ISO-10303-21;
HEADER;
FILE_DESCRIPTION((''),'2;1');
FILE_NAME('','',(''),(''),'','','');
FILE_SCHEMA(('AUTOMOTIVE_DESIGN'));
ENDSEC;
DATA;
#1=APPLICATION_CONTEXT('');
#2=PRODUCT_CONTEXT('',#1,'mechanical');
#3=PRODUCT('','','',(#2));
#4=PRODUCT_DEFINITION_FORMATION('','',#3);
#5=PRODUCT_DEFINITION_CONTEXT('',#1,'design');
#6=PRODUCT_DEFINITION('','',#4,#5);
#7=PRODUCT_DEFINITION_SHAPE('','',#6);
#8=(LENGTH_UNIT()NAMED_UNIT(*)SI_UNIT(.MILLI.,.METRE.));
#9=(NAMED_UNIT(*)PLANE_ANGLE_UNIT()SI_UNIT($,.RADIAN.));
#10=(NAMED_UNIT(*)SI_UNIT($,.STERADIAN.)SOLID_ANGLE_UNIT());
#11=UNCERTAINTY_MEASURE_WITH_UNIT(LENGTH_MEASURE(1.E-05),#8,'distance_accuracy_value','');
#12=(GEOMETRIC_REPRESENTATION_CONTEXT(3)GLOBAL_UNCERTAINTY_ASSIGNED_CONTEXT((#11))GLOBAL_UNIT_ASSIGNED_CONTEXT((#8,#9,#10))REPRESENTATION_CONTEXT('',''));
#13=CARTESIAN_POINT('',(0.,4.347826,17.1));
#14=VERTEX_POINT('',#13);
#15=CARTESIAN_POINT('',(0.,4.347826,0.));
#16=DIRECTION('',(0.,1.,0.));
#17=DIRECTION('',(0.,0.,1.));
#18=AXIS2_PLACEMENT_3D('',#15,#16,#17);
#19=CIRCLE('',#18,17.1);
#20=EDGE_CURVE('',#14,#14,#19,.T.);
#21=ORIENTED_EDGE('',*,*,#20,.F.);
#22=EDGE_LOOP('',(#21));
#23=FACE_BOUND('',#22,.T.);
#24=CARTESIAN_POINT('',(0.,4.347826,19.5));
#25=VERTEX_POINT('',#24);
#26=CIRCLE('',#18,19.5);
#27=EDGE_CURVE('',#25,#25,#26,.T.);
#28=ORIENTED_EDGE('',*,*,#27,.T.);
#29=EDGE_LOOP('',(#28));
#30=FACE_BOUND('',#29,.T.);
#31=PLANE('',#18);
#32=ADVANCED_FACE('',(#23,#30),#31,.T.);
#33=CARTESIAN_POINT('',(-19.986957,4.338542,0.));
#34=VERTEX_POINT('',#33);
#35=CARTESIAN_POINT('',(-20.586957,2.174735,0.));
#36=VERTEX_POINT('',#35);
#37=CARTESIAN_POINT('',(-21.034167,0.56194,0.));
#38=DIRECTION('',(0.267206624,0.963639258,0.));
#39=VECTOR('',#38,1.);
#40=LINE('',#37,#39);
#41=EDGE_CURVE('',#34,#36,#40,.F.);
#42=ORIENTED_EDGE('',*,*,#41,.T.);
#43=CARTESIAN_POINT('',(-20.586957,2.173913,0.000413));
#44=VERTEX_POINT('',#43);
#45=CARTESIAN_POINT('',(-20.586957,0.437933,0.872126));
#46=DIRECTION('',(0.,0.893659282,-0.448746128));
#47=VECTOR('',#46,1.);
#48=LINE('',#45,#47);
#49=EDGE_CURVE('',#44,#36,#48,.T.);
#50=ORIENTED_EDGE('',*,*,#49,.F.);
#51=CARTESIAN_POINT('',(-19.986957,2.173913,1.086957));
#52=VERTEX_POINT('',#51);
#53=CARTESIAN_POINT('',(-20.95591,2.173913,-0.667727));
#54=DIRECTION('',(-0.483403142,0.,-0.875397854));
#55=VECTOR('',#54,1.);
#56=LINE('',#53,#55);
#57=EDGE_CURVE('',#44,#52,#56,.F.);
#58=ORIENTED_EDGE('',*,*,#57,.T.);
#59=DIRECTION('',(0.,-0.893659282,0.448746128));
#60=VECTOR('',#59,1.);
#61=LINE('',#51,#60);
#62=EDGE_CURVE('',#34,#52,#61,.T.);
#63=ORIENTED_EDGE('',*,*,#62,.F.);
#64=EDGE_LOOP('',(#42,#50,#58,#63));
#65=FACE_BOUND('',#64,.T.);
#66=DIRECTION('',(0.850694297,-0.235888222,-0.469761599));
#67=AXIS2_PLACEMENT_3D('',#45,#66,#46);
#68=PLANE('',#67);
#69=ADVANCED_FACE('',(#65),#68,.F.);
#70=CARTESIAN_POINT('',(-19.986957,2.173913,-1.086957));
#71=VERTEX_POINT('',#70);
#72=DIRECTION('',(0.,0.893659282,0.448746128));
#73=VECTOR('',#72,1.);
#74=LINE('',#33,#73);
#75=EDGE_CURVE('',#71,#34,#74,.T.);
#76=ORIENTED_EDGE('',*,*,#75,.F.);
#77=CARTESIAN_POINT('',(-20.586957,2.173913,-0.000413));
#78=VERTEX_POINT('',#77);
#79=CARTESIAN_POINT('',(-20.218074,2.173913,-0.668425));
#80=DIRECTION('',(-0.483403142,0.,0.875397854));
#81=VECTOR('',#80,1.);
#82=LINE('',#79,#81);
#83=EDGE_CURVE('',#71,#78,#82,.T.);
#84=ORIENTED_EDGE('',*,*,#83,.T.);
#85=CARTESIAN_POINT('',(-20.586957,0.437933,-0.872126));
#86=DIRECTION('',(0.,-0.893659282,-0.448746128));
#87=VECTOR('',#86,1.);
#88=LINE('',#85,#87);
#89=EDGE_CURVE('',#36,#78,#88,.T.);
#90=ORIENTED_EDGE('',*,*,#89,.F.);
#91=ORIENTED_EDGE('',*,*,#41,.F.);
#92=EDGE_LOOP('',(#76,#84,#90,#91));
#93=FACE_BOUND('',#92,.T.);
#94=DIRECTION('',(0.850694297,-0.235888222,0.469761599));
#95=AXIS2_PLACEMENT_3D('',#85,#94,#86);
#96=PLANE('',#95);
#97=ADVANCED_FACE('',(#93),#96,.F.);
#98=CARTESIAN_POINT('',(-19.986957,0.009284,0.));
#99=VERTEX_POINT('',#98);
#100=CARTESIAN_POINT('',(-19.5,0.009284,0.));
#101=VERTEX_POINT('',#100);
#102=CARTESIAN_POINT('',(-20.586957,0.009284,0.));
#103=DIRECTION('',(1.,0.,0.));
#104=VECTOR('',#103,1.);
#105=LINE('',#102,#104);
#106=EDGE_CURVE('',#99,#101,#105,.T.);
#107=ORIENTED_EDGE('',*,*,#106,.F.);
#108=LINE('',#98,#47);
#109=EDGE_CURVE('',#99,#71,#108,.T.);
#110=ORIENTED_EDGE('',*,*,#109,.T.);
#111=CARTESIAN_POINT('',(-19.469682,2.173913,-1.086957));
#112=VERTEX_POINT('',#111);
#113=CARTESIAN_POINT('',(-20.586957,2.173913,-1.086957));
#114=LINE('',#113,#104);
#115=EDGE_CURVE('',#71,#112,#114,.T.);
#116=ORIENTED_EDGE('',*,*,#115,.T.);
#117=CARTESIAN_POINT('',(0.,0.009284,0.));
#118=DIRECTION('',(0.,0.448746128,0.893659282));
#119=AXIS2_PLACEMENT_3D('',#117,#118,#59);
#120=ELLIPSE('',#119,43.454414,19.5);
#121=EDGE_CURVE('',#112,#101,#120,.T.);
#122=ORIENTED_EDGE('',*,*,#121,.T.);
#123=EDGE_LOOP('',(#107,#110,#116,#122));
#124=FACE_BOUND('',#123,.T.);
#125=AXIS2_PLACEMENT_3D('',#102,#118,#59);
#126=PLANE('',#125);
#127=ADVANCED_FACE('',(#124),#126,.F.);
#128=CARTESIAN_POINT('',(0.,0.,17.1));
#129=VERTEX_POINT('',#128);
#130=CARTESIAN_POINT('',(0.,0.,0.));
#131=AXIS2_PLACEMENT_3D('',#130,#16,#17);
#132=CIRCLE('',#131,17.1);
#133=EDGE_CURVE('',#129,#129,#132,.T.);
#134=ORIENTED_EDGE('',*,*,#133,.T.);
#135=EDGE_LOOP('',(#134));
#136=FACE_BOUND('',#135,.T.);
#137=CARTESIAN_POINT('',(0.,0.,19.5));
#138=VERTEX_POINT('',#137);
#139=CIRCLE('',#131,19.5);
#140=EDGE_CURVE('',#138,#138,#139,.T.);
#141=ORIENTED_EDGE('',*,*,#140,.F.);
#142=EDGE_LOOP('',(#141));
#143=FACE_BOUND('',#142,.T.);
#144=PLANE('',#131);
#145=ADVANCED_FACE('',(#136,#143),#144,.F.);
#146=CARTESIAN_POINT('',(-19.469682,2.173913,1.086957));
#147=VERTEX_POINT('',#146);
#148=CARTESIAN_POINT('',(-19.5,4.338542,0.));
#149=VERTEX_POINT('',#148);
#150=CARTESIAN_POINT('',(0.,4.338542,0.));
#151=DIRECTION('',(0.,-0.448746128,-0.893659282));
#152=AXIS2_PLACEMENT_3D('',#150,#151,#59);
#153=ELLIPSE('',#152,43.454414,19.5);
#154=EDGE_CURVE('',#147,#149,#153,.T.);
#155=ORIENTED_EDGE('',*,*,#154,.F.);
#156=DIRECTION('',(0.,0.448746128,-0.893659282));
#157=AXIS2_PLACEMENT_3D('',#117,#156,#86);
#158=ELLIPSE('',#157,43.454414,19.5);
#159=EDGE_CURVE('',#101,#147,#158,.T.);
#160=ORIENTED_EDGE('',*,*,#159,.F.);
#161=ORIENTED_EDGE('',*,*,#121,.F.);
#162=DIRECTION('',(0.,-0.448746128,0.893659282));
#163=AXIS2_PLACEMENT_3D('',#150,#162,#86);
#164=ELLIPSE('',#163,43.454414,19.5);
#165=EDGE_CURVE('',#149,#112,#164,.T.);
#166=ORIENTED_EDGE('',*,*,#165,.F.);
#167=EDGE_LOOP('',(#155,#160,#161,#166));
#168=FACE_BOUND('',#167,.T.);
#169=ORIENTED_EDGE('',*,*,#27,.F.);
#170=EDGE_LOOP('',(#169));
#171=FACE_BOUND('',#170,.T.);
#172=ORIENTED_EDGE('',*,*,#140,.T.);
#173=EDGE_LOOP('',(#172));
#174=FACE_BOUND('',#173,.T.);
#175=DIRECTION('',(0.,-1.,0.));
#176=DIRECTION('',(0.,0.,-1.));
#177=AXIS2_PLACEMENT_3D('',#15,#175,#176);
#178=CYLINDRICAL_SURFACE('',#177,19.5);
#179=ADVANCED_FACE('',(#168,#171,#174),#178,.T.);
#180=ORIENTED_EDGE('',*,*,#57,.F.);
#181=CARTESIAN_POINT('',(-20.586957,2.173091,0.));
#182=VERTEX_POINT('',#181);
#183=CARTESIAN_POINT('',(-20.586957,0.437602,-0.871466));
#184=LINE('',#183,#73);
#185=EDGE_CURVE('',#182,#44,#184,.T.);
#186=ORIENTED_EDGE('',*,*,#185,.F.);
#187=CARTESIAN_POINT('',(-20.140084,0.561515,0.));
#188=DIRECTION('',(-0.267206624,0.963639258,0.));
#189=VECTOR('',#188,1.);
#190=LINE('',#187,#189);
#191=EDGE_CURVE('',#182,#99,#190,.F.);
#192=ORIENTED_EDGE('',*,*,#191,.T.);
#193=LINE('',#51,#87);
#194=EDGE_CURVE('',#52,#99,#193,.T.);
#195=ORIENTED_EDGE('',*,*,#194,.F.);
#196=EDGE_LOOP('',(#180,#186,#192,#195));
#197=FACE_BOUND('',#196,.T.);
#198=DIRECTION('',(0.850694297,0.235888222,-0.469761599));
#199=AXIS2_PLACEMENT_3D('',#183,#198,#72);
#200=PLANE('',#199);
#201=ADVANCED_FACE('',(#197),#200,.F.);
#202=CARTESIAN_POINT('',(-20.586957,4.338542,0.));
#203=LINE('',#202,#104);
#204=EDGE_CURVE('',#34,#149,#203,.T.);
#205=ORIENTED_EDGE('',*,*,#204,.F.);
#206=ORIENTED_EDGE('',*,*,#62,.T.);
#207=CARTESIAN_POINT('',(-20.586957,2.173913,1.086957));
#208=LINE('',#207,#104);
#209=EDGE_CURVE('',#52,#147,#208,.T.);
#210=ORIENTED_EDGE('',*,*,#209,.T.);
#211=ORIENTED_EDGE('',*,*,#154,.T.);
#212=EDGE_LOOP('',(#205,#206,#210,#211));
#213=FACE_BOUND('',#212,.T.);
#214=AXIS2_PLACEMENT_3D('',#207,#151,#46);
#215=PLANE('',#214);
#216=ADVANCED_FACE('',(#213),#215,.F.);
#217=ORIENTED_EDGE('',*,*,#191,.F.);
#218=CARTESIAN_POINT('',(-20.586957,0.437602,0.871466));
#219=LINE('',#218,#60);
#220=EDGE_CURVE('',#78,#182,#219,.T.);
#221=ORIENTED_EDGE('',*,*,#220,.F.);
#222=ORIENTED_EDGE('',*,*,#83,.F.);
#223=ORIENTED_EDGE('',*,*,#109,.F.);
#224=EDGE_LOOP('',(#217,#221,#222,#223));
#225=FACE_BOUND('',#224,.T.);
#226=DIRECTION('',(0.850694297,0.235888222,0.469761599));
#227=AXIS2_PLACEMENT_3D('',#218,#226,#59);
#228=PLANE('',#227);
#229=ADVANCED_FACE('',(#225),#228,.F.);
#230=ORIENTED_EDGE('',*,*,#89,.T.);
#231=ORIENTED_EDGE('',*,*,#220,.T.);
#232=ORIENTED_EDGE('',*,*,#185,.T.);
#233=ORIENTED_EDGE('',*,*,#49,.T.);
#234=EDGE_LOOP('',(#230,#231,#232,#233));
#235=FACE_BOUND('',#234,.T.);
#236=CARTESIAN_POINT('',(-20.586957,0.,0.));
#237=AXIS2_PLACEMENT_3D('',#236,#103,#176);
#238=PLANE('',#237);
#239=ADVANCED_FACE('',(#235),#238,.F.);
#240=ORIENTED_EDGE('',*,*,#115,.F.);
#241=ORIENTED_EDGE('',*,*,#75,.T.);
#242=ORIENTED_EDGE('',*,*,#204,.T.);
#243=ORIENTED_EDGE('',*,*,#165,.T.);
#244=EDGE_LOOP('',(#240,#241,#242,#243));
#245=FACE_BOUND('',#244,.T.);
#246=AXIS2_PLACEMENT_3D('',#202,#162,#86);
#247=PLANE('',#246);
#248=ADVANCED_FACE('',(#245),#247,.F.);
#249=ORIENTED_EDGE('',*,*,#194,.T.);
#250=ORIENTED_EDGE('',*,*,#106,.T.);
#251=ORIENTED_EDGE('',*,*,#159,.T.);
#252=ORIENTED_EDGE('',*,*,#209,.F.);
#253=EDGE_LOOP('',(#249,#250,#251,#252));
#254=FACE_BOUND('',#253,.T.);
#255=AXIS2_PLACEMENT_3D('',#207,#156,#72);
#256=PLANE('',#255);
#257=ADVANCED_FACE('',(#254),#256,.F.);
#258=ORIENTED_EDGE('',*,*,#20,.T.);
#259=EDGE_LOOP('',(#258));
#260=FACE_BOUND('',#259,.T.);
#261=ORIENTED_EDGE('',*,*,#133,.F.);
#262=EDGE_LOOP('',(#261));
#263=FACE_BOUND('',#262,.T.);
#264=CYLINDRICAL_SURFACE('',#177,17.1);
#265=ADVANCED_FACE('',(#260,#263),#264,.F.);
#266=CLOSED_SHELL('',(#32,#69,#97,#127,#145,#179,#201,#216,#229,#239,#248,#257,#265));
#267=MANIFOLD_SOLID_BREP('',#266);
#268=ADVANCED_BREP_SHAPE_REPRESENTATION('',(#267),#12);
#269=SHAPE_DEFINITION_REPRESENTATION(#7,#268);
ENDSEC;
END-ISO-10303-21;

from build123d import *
from OCP.BRepFilletAPI import BRepFilletAPI_MakeChamfer

# Parameters (mm, degrees)
SKETCH1_R           = 19.5
SKETCH1_R_2         = 17.1
BOSS_EXTRUDE1_DEPTH = 4.347826087
BOSS_EXTRUDE2_DEPTH = 1.08695652
CHAMFER1_SIZE       = 0.6
CHAMFER1_SIZE2      = 0.971


with BuildPart() as part:
    # Sketch1 → Boss-Extrude1 (new body)
    with BuildSketch(Plane(origin=(0, 0, 0), x_dir=(1, 0, 0), z_dir=(0, 1, 0))):
        with Locations(Location((0, 0, 0), (0, 0, 270))):
            Circle(SKETCH1_R)
        with Locations(Location((0, 0, 0), (0, 0, 270))):
            Circle(SKETCH1_R_2, mode=Mode.SUBTRACT)
    extrude(amount=BOSS_EXTRUDE1_DEPTH)

    # Sketch2 → Boss-Extrude2 (add, symmetric)
    with BuildSketch(Plane.ZY.offset(19.5)):
        Polygon((0, 0.00928426), (-1.086956522, 2.173913043), (0, 4.338541827), (1.086956522, 2.173913043), align=None)
    extrude(amount=BOSS_EXTRUDE2_DEPTH, both=True)

    # Chamfer1: one chamfer whose edges measure the first distance from different faces: ONE call of the kernel's chamfer builder (chamfer() names one face for all edges)
    chamfer1_edges_1 = [part.edges().sort_by_distance(p)[0] for p in [
        (-20.58695652, 3.256227435, -0.543478261),
    ]]
    chamfer1_side_1 = [part.faces().sort_by_distance(p)[0] for p in [
        (-20.038389639, 3.251243161, -0.545981087),
    ]]
    chamfer1_edges_2 = [part.edges().sort_by_distance(p)[0] for p in [
        (-20.58695652, 1.091598652, -0.543478261),
    ]]
    chamfer1_side_2 = [part.faces().sort_by_distance(p)[0] for p in [
        (-20.038389639, 1.096582926, -0.545981087),
    ]]
    chamfer1_edges_3 = [part.edges().sort_by_distance(p)[0] for p in [
        (-20.58695652, 1.091598652, 0.543478261),
    ]]
    chamfer1_side_3 = [part.faces().sort_by_distance(p)[0] for p in [
        (-20.038389639, 1.096582926, 0.545981087),
    ]]
    chamfer1_edges_4 = [part.edges().sort_by_distance(p)[0] for p in [
        (-20.58695652, 3.256227435, 0.543478261),
    ]]
    chamfer1_side_4 = [part.faces().sort_by_distance(p)[0] for p in [
        (-20.038389639, 3.251243161, 0.545981087),
    ]]
    chamfer1 = BRepFilletAPI_MakeChamfer(part.part.solid().wrapped)
    for e in chamfer1_edges_1:
        chamfer1.Add(CHAMFER1_SIZE, CHAMFER1_SIZE2, e.wrapped, chamfer1_side_1[0].wrapped)  # the first distance lies on this face
    for e in chamfer1_edges_2:
        chamfer1.Add(CHAMFER1_SIZE, CHAMFER1_SIZE2, e.wrapped, chamfer1_side_2[0].wrapped)  # the first distance lies on this face
    for e in chamfer1_edges_3:
        chamfer1.Add(CHAMFER1_SIZE, CHAMFER1_SIZE2, e.wrapped, chamfer1_side_3[0].wrapped)  # the first distance lies on this face
    for e in chamfer1_edges_4:
        chamfer1.Add(CHAMFER1_SIZE, CHAMFER1_SIZE2, e.wrapped, chamfer1_side_4[0].wrapped)  # the first distance lies on this face
    add(Compound.cast(chamfer1.Shape()), mode=Mode.REPLACE)


solid = part.part
